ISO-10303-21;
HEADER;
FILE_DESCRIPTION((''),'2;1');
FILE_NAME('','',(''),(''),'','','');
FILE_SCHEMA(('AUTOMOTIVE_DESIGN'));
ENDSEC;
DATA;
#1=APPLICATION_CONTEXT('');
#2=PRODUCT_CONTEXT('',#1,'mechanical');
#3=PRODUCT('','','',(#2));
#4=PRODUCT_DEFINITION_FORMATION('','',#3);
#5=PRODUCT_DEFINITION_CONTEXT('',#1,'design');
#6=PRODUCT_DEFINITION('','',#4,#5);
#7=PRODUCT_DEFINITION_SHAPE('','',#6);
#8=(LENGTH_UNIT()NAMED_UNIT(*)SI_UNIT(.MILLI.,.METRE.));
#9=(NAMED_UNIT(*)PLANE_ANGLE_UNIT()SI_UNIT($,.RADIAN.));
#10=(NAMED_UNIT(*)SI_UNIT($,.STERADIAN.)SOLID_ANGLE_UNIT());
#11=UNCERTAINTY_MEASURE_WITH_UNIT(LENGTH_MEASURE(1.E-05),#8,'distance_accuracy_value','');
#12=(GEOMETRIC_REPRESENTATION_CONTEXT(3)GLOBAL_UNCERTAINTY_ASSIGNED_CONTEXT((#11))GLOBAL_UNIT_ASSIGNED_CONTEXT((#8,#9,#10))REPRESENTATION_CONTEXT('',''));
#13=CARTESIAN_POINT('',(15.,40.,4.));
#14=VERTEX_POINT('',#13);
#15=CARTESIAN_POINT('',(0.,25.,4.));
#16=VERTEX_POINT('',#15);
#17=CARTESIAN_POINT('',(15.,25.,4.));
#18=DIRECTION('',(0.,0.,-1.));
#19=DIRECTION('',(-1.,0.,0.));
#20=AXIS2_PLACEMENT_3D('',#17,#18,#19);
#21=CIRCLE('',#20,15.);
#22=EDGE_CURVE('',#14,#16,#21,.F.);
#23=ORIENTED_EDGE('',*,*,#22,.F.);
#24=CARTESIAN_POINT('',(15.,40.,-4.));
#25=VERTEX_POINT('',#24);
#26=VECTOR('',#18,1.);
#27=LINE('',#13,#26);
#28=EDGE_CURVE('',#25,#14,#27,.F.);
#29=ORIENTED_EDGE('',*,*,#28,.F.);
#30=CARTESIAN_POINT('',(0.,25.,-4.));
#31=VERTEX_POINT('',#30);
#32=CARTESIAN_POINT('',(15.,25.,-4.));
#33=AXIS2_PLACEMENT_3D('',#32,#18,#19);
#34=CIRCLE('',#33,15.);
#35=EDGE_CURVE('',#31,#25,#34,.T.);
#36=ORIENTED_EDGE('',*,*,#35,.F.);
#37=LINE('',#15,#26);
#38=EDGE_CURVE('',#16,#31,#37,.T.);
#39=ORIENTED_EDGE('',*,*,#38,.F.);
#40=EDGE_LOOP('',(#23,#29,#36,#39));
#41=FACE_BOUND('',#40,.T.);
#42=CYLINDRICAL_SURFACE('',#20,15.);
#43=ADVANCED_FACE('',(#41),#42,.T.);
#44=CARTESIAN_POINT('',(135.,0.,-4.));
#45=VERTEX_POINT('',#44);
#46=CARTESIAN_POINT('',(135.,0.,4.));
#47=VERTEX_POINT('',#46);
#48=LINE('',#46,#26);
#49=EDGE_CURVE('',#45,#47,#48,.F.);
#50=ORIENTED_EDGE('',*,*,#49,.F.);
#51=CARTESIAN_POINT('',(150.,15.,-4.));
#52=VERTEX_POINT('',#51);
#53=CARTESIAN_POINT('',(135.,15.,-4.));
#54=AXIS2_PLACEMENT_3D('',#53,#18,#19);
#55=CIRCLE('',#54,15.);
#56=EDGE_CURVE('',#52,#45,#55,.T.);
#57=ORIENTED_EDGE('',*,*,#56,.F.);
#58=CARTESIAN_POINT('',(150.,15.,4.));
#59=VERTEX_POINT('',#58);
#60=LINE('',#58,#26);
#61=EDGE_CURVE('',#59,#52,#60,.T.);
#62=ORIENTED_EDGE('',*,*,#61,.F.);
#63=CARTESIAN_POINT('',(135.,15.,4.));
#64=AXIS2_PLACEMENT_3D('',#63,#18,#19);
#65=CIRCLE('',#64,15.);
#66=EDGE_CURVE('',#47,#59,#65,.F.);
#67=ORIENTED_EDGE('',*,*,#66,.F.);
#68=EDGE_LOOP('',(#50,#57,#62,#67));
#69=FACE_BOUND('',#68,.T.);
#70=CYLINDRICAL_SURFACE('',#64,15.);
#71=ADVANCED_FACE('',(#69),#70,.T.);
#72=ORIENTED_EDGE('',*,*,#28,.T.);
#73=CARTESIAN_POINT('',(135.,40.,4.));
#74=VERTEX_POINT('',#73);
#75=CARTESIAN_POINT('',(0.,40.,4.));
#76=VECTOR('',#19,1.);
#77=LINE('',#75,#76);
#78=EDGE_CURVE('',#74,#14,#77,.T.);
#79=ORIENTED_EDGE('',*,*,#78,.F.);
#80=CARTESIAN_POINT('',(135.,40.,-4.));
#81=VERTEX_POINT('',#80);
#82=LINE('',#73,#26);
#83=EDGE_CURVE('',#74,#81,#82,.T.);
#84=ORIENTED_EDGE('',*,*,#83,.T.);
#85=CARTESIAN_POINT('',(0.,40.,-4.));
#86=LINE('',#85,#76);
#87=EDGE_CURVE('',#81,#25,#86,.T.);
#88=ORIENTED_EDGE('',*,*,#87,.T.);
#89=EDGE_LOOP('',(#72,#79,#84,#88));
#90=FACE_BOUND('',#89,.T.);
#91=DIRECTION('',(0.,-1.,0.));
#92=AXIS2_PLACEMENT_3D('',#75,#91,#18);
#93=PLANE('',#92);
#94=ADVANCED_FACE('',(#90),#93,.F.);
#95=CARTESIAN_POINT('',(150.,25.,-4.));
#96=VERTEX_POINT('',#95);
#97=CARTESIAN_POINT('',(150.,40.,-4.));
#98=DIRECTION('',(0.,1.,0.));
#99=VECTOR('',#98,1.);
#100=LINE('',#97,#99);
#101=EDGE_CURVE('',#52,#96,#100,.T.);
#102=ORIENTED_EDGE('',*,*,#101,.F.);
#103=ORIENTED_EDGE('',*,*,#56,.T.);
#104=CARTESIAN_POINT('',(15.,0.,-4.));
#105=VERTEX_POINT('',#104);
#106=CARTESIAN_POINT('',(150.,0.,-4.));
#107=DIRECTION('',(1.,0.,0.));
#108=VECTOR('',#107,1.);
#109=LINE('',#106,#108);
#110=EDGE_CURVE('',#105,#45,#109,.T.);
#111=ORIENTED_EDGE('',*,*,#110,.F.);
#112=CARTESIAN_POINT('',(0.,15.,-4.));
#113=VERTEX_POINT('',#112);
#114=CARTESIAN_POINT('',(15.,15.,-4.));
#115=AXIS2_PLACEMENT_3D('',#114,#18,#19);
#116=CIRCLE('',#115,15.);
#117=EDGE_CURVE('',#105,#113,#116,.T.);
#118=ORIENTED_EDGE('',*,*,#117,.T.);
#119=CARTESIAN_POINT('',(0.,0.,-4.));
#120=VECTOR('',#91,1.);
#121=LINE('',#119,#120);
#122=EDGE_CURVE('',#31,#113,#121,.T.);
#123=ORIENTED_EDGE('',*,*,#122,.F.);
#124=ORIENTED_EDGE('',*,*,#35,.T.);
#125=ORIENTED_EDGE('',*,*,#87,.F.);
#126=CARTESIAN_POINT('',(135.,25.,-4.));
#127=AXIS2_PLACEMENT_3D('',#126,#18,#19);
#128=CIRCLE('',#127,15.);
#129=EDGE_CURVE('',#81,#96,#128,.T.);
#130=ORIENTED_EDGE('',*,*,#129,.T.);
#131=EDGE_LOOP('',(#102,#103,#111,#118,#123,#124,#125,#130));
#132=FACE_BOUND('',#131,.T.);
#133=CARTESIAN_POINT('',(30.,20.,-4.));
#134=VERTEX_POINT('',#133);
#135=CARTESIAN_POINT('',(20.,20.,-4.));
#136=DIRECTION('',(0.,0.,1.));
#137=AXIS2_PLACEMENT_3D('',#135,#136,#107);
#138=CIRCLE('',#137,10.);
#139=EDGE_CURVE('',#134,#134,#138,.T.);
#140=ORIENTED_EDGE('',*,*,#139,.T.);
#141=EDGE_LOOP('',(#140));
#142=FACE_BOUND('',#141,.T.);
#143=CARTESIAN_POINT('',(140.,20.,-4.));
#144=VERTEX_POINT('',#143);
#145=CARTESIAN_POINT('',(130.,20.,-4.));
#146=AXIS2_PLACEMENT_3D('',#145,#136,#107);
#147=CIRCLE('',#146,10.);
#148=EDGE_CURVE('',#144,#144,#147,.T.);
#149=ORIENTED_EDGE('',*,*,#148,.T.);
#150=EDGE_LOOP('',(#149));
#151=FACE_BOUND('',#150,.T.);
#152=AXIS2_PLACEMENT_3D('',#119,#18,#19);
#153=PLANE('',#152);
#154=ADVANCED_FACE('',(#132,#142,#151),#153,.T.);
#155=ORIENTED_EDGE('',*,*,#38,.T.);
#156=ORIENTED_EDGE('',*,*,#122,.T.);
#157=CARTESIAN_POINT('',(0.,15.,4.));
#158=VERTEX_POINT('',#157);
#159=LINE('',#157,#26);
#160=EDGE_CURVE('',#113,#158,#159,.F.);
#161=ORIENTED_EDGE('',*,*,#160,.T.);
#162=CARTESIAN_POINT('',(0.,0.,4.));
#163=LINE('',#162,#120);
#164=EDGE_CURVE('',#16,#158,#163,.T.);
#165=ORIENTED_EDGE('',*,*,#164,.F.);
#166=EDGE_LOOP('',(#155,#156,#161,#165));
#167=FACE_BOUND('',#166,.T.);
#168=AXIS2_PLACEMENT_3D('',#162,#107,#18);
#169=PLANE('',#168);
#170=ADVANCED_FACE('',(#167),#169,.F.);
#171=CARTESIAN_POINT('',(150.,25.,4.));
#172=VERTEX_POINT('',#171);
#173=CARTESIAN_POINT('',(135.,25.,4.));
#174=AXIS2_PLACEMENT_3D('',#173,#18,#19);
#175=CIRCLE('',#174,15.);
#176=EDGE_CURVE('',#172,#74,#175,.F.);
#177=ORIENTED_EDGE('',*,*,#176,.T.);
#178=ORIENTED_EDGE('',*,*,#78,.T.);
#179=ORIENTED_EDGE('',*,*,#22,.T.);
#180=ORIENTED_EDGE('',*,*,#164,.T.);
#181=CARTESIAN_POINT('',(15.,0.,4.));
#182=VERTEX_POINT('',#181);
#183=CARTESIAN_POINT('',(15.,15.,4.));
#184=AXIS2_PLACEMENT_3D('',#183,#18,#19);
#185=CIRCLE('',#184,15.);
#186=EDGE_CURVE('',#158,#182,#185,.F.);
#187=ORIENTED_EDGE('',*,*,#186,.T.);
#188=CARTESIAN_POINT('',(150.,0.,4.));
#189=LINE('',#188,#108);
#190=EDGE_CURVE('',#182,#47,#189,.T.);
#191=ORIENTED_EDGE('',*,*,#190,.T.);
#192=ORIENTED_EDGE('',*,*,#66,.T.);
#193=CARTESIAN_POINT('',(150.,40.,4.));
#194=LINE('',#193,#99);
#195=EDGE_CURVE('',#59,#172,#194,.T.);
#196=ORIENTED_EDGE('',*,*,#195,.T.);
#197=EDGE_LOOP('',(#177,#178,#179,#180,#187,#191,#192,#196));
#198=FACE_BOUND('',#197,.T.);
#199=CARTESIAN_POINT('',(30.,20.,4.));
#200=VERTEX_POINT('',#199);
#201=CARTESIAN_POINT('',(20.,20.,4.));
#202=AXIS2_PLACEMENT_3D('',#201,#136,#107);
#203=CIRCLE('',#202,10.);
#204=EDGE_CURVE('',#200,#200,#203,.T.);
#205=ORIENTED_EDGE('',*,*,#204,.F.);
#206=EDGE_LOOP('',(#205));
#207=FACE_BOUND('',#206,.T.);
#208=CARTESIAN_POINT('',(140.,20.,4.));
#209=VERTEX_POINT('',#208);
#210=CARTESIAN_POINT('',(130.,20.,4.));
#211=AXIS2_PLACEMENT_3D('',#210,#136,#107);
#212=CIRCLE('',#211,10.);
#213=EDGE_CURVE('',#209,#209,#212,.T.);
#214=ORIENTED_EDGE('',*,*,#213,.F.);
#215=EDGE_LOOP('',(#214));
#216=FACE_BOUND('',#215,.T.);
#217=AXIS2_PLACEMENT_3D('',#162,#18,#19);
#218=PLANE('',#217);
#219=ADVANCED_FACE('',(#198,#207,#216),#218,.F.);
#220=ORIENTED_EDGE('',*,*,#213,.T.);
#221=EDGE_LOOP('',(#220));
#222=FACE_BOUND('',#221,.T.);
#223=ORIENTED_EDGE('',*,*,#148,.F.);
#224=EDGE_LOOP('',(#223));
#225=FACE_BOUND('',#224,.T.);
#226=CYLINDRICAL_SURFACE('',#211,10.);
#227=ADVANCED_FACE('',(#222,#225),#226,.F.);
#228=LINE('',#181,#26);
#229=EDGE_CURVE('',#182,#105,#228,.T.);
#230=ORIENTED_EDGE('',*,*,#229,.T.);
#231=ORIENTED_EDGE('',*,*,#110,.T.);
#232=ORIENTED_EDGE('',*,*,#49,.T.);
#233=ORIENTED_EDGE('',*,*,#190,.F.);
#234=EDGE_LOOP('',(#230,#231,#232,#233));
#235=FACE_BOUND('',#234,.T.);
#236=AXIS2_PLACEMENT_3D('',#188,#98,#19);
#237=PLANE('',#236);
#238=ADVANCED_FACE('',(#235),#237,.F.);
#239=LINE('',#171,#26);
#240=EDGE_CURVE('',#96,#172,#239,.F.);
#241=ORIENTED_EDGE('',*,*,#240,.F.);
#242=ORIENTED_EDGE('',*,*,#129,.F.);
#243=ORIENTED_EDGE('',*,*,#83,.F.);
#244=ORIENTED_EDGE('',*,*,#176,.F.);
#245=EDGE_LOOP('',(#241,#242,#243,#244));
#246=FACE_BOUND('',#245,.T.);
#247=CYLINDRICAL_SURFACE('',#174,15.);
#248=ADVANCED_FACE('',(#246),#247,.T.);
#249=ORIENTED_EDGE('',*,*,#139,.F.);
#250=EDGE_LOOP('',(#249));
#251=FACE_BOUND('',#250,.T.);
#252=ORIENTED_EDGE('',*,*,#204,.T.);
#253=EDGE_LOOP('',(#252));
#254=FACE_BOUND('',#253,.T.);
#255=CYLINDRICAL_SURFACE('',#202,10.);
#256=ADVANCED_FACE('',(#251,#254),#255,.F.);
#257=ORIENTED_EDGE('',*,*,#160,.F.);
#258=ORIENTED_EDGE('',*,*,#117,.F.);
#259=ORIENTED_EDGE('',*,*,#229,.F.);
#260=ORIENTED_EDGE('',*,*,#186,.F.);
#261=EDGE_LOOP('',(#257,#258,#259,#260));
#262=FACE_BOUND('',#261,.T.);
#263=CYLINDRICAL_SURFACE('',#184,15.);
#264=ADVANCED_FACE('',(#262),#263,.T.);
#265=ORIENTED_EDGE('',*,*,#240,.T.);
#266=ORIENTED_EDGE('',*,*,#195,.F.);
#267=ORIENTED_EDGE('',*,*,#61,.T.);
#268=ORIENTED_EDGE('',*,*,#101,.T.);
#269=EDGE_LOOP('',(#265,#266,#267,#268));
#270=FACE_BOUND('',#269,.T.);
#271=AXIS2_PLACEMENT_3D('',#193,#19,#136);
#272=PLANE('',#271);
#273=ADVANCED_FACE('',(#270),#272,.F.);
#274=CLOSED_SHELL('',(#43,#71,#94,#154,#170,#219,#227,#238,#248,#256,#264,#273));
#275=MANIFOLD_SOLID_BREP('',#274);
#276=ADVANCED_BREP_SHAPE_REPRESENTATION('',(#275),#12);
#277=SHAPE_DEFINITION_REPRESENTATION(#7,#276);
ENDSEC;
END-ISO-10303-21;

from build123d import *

# Parameters (mm, degrees)
ESBO_O1_W                = 150
ESBO_O1_H                = 40
RESSALTO_EXTRUS_O1_DEPTH = 4
FILETE2_R                = 15
FUROS_GUIA_COM_20_0MM1_D = 20


with BuildPart() as part:
    # Esboço1 → Ressalto-extrusão1 (new, symmetric)
    with BuildSketch(Plane.XY):
        with Locations((75, 20)):
            Rectangle(ESBO_O1_W, ESBO_O1_H)
    extrude(amount=RESSALTO_EXTRUS_O1_DEPTH, both=True)

    # Filete2
    filete2_edges = [part.edges().sort_by_distance(p)[0] for p in [
        (0, 0, 0),
        (0, 40, 0),
        (150, 40, 0),
        (150, 0, 0),
    ]]
    fillet(filete2_edges, radius=FILETE2_R)

    # Furos-guia com Ø20.0mm1 (through all)
    with Locations(Plane.XY.offset(4)):
        with Locations((20, 20), (130, 20)):
            Hole(FUROS_GUIA_COM_20_0MM1_D / 2)


solid = part.part
